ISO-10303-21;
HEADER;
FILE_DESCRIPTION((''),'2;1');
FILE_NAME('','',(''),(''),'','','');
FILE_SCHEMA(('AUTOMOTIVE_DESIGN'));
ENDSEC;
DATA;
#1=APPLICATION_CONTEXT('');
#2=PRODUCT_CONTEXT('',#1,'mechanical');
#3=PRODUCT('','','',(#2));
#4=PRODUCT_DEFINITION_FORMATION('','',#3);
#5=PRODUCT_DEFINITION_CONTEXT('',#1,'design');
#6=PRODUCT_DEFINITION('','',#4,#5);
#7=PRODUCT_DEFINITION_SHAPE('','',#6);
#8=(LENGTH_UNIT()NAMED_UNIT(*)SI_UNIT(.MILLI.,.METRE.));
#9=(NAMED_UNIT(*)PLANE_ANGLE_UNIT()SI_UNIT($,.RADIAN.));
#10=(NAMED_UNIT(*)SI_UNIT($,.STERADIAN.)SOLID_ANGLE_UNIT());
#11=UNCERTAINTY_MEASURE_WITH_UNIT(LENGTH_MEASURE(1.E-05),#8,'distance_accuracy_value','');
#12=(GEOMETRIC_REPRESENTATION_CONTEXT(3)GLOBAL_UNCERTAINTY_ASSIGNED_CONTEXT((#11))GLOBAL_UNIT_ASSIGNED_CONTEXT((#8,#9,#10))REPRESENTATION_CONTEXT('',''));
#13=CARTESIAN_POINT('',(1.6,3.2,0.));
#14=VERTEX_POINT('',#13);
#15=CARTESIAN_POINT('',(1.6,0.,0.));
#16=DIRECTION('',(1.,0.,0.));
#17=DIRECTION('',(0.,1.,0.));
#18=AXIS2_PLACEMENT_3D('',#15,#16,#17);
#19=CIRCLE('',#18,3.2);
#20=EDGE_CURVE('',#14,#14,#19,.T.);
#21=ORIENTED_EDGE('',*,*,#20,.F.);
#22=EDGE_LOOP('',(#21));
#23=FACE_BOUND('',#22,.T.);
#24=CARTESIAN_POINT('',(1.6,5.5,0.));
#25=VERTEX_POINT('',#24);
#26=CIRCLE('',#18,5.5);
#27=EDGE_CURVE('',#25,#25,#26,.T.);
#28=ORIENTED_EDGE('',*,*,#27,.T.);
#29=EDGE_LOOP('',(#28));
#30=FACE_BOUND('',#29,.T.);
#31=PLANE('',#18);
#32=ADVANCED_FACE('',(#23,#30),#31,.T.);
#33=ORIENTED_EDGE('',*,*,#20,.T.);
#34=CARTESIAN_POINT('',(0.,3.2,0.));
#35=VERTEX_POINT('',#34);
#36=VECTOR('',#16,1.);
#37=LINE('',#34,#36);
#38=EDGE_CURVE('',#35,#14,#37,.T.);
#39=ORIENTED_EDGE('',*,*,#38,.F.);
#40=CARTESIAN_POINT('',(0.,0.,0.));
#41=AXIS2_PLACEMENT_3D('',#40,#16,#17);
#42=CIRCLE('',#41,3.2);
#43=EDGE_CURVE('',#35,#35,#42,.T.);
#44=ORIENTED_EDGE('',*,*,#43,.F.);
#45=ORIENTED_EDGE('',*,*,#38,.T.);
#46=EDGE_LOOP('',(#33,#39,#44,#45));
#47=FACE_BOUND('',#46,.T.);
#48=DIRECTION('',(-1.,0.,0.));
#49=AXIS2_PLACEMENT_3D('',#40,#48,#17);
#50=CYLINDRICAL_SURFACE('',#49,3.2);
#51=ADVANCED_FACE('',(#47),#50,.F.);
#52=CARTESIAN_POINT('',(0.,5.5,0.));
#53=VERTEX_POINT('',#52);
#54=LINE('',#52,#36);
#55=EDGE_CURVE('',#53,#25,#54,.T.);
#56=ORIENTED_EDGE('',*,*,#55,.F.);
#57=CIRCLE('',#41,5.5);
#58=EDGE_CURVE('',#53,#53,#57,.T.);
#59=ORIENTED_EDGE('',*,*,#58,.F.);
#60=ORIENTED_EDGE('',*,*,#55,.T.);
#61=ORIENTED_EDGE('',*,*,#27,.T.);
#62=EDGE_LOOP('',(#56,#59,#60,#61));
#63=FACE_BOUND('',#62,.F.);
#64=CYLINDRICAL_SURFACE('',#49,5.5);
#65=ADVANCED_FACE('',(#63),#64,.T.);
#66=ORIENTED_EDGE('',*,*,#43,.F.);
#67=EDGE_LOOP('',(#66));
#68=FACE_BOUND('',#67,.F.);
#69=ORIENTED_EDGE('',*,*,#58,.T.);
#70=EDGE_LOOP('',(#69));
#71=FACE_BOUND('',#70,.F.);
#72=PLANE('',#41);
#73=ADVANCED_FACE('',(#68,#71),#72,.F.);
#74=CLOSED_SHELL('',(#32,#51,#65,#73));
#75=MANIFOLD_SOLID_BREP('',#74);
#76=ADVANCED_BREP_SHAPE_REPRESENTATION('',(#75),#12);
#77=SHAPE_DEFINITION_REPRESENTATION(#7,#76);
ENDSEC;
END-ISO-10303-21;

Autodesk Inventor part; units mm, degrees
ref_plane "YZ Plane" through (0, 0, 0) normal (1, 0, 0) x (0, 1, 0)
ref_plane "XZ Plane" through (0, 0, 0) normal (0, 1, 0) x (-1, 0, 0)
sketch "Sketch" plane through (0, 0, 0) normal (1, 0, 0) x (0, 1, 0)
  circle A0 centre (0, 0) radius 5.5
  circle A1 centre (0, 0) radius 3.2
  dimension "d0" = 6.4
  dimension "d1" = 11
extrude "Body" add sketch "Sketch" along normal blind 1.6
ref_plane "Work Plane1" through (0, 0, 0) normal (0, 0, 1) x (1, 0, 0)
equation "\"d0\" = SD1"
equation "\"d1\" = SD2"
equation "\"d2\" = SD"
equation "\"SD1\" = 6.4"
equation "\"SD2\" = 11"
equation "\"SD\" = 1.6"
equation "\"NND\" = 6"
properties part number "ISO 7092 - ST 6 - 140 HV" material "Stainless Steel"
